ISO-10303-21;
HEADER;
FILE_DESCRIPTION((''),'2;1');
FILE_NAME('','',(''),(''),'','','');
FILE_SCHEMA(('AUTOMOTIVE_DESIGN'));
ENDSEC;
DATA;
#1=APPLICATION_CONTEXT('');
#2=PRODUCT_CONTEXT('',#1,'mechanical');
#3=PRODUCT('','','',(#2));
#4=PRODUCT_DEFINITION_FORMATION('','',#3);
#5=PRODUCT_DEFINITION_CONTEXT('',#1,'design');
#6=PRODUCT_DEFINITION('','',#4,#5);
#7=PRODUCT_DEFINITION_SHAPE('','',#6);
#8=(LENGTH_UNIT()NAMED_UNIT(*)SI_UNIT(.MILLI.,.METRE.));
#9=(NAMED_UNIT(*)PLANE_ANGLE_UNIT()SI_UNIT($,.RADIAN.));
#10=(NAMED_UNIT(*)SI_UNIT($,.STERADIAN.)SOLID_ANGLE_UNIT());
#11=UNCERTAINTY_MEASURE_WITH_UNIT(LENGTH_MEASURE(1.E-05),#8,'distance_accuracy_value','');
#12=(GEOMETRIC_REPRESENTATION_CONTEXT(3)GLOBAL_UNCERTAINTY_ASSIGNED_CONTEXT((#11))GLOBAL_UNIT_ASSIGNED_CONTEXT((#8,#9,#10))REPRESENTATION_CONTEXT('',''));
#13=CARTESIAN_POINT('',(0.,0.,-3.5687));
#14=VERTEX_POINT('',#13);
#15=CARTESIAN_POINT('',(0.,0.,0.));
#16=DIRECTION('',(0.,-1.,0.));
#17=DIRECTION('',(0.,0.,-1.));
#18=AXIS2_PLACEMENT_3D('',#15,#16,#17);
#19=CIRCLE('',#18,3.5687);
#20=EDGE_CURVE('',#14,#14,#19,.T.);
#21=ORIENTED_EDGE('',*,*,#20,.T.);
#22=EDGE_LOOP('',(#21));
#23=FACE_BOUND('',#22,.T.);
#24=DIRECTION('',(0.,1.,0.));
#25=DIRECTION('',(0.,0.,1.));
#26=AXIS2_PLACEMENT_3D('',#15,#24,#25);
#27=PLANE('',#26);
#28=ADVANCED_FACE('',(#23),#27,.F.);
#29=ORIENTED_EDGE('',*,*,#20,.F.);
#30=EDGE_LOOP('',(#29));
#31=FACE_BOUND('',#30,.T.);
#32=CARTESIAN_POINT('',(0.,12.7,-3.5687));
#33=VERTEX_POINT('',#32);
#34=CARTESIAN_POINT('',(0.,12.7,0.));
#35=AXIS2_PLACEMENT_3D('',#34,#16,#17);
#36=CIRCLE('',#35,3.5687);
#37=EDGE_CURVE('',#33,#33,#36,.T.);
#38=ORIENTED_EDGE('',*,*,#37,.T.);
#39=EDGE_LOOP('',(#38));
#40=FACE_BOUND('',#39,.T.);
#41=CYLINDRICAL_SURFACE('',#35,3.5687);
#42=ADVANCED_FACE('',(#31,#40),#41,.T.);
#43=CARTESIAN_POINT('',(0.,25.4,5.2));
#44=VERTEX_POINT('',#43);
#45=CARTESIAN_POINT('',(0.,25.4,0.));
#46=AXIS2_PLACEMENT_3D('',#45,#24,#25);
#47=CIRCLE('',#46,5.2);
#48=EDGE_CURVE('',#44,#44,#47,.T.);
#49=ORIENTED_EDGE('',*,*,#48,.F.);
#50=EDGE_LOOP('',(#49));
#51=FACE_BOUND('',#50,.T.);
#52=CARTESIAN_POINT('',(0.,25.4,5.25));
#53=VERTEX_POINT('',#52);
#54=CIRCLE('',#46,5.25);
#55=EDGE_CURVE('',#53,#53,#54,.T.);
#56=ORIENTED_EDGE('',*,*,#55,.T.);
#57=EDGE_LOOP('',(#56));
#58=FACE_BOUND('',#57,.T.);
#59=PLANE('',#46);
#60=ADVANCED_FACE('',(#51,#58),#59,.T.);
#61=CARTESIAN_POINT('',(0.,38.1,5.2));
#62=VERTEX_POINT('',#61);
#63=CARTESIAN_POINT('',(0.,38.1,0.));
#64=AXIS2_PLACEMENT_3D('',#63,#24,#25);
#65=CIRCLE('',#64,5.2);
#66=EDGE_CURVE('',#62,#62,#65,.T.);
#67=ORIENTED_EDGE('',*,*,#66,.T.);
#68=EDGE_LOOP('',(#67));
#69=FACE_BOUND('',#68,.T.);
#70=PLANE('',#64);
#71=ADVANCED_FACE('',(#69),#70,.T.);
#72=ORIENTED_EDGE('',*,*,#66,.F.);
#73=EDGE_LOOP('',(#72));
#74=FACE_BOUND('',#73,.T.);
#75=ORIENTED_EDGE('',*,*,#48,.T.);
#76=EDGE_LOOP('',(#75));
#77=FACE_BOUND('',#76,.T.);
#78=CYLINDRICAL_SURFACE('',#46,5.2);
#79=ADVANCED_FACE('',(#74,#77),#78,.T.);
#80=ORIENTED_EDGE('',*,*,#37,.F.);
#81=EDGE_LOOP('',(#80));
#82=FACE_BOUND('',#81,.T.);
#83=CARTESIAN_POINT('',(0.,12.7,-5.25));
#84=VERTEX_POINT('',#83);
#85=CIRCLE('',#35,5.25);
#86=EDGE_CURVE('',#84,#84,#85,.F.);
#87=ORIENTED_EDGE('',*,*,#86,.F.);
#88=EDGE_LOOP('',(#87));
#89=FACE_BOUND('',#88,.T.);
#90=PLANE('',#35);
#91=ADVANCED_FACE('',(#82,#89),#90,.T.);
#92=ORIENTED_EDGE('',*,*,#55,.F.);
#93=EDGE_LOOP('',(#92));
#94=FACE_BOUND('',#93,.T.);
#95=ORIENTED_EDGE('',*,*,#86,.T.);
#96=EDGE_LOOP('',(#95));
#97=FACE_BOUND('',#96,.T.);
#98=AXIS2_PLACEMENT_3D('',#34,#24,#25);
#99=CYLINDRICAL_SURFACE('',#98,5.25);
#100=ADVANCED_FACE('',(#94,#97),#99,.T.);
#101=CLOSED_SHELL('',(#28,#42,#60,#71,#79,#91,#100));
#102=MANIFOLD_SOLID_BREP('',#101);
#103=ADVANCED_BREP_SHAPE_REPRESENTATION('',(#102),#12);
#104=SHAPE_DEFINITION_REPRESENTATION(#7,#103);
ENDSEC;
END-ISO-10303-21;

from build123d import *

# Parameters (mm, degrees)
SKETCH1_R           = 5.55625
BOSS_EXTRUDE1_DEPTH = 38.1
SKETCH2_R           = 6.632995555
SKETCH2_R_2         = 5.2
CUT_EXTRUDE1_DEPTH  = 12.7
SKETCH3_R           = 7.248285052
SKETCH3_R_2         = 5.25
CUT_EXTRUDE2_DEPTH  = 12.7
SKETCH4_R           = 6.521090142
SKETCH4_R_2         = 3.5687
CUT_EXTRUDE3_DEPTH  = 12.7


with BuildPart() as part:
    # Sketch1 → Boss-Extrude1 (new body)
    with BuildSketch(Plane(origin=(0, 0, 0), x_dir=(1, 0, 0), z_dir=(0, 1, 0))):
        with Locations(Location((0, 0, 0), (0, 0, 90))):
            Circle(SKETCH1_R)
    extrude(amount=BOSS_EXTRUDE1_DEPTH)

    # Sketch2 → Cut-Extrude1 (cut)
    with BuildSketch(Plane(origin=(0, 38.1, 0), x_dir=(1, 0, 0), z_dir=(0, 1, 0))):
        Circle(SKETCH2_R)
        with Locations(Location((0, 0, 0), (0, 0, 270))):
            Circle(SKETCH2_R_2, mode=Mode.SUBTRACT)
    extrude(amount=-CUT_EXTRUDE1_DEPTH, mode=Mode.SUBTRACT)

    # Sketch3 → Cut-Extrude2 (cut)
    with BuildSketch(Plane(origin=(0, 25.4, 0), x_dir=(1, 0, 0), z_dir=(0, 1, 0))):
        Circle(SKETCH3_R)
        with Locations(Location((0, 0, 0), (0, 0, 270))):
            Circle(SKETCH3_R_2, mode=Mode.SUBTRACT)
    extrude(amount=-CUT_EXTRUDE2_DEPTH, mode=Mode.SUBTRACT)

    # Sketch4 → Cut-Extrude3 (cut)
    with BuildSketch(Plane.XZ):
        Circle(SKETCH4_R)
        with Locations(Location((0, 0, 0), (0, 0, 270))):
            Circle(SKETCH4_R_2, mode=Mode.SUBTRACT)
    extrude(amount=-CUT_EXTRUDE3_DEPTH, mode=Mode.SUBTRACT)


solid = part.part
